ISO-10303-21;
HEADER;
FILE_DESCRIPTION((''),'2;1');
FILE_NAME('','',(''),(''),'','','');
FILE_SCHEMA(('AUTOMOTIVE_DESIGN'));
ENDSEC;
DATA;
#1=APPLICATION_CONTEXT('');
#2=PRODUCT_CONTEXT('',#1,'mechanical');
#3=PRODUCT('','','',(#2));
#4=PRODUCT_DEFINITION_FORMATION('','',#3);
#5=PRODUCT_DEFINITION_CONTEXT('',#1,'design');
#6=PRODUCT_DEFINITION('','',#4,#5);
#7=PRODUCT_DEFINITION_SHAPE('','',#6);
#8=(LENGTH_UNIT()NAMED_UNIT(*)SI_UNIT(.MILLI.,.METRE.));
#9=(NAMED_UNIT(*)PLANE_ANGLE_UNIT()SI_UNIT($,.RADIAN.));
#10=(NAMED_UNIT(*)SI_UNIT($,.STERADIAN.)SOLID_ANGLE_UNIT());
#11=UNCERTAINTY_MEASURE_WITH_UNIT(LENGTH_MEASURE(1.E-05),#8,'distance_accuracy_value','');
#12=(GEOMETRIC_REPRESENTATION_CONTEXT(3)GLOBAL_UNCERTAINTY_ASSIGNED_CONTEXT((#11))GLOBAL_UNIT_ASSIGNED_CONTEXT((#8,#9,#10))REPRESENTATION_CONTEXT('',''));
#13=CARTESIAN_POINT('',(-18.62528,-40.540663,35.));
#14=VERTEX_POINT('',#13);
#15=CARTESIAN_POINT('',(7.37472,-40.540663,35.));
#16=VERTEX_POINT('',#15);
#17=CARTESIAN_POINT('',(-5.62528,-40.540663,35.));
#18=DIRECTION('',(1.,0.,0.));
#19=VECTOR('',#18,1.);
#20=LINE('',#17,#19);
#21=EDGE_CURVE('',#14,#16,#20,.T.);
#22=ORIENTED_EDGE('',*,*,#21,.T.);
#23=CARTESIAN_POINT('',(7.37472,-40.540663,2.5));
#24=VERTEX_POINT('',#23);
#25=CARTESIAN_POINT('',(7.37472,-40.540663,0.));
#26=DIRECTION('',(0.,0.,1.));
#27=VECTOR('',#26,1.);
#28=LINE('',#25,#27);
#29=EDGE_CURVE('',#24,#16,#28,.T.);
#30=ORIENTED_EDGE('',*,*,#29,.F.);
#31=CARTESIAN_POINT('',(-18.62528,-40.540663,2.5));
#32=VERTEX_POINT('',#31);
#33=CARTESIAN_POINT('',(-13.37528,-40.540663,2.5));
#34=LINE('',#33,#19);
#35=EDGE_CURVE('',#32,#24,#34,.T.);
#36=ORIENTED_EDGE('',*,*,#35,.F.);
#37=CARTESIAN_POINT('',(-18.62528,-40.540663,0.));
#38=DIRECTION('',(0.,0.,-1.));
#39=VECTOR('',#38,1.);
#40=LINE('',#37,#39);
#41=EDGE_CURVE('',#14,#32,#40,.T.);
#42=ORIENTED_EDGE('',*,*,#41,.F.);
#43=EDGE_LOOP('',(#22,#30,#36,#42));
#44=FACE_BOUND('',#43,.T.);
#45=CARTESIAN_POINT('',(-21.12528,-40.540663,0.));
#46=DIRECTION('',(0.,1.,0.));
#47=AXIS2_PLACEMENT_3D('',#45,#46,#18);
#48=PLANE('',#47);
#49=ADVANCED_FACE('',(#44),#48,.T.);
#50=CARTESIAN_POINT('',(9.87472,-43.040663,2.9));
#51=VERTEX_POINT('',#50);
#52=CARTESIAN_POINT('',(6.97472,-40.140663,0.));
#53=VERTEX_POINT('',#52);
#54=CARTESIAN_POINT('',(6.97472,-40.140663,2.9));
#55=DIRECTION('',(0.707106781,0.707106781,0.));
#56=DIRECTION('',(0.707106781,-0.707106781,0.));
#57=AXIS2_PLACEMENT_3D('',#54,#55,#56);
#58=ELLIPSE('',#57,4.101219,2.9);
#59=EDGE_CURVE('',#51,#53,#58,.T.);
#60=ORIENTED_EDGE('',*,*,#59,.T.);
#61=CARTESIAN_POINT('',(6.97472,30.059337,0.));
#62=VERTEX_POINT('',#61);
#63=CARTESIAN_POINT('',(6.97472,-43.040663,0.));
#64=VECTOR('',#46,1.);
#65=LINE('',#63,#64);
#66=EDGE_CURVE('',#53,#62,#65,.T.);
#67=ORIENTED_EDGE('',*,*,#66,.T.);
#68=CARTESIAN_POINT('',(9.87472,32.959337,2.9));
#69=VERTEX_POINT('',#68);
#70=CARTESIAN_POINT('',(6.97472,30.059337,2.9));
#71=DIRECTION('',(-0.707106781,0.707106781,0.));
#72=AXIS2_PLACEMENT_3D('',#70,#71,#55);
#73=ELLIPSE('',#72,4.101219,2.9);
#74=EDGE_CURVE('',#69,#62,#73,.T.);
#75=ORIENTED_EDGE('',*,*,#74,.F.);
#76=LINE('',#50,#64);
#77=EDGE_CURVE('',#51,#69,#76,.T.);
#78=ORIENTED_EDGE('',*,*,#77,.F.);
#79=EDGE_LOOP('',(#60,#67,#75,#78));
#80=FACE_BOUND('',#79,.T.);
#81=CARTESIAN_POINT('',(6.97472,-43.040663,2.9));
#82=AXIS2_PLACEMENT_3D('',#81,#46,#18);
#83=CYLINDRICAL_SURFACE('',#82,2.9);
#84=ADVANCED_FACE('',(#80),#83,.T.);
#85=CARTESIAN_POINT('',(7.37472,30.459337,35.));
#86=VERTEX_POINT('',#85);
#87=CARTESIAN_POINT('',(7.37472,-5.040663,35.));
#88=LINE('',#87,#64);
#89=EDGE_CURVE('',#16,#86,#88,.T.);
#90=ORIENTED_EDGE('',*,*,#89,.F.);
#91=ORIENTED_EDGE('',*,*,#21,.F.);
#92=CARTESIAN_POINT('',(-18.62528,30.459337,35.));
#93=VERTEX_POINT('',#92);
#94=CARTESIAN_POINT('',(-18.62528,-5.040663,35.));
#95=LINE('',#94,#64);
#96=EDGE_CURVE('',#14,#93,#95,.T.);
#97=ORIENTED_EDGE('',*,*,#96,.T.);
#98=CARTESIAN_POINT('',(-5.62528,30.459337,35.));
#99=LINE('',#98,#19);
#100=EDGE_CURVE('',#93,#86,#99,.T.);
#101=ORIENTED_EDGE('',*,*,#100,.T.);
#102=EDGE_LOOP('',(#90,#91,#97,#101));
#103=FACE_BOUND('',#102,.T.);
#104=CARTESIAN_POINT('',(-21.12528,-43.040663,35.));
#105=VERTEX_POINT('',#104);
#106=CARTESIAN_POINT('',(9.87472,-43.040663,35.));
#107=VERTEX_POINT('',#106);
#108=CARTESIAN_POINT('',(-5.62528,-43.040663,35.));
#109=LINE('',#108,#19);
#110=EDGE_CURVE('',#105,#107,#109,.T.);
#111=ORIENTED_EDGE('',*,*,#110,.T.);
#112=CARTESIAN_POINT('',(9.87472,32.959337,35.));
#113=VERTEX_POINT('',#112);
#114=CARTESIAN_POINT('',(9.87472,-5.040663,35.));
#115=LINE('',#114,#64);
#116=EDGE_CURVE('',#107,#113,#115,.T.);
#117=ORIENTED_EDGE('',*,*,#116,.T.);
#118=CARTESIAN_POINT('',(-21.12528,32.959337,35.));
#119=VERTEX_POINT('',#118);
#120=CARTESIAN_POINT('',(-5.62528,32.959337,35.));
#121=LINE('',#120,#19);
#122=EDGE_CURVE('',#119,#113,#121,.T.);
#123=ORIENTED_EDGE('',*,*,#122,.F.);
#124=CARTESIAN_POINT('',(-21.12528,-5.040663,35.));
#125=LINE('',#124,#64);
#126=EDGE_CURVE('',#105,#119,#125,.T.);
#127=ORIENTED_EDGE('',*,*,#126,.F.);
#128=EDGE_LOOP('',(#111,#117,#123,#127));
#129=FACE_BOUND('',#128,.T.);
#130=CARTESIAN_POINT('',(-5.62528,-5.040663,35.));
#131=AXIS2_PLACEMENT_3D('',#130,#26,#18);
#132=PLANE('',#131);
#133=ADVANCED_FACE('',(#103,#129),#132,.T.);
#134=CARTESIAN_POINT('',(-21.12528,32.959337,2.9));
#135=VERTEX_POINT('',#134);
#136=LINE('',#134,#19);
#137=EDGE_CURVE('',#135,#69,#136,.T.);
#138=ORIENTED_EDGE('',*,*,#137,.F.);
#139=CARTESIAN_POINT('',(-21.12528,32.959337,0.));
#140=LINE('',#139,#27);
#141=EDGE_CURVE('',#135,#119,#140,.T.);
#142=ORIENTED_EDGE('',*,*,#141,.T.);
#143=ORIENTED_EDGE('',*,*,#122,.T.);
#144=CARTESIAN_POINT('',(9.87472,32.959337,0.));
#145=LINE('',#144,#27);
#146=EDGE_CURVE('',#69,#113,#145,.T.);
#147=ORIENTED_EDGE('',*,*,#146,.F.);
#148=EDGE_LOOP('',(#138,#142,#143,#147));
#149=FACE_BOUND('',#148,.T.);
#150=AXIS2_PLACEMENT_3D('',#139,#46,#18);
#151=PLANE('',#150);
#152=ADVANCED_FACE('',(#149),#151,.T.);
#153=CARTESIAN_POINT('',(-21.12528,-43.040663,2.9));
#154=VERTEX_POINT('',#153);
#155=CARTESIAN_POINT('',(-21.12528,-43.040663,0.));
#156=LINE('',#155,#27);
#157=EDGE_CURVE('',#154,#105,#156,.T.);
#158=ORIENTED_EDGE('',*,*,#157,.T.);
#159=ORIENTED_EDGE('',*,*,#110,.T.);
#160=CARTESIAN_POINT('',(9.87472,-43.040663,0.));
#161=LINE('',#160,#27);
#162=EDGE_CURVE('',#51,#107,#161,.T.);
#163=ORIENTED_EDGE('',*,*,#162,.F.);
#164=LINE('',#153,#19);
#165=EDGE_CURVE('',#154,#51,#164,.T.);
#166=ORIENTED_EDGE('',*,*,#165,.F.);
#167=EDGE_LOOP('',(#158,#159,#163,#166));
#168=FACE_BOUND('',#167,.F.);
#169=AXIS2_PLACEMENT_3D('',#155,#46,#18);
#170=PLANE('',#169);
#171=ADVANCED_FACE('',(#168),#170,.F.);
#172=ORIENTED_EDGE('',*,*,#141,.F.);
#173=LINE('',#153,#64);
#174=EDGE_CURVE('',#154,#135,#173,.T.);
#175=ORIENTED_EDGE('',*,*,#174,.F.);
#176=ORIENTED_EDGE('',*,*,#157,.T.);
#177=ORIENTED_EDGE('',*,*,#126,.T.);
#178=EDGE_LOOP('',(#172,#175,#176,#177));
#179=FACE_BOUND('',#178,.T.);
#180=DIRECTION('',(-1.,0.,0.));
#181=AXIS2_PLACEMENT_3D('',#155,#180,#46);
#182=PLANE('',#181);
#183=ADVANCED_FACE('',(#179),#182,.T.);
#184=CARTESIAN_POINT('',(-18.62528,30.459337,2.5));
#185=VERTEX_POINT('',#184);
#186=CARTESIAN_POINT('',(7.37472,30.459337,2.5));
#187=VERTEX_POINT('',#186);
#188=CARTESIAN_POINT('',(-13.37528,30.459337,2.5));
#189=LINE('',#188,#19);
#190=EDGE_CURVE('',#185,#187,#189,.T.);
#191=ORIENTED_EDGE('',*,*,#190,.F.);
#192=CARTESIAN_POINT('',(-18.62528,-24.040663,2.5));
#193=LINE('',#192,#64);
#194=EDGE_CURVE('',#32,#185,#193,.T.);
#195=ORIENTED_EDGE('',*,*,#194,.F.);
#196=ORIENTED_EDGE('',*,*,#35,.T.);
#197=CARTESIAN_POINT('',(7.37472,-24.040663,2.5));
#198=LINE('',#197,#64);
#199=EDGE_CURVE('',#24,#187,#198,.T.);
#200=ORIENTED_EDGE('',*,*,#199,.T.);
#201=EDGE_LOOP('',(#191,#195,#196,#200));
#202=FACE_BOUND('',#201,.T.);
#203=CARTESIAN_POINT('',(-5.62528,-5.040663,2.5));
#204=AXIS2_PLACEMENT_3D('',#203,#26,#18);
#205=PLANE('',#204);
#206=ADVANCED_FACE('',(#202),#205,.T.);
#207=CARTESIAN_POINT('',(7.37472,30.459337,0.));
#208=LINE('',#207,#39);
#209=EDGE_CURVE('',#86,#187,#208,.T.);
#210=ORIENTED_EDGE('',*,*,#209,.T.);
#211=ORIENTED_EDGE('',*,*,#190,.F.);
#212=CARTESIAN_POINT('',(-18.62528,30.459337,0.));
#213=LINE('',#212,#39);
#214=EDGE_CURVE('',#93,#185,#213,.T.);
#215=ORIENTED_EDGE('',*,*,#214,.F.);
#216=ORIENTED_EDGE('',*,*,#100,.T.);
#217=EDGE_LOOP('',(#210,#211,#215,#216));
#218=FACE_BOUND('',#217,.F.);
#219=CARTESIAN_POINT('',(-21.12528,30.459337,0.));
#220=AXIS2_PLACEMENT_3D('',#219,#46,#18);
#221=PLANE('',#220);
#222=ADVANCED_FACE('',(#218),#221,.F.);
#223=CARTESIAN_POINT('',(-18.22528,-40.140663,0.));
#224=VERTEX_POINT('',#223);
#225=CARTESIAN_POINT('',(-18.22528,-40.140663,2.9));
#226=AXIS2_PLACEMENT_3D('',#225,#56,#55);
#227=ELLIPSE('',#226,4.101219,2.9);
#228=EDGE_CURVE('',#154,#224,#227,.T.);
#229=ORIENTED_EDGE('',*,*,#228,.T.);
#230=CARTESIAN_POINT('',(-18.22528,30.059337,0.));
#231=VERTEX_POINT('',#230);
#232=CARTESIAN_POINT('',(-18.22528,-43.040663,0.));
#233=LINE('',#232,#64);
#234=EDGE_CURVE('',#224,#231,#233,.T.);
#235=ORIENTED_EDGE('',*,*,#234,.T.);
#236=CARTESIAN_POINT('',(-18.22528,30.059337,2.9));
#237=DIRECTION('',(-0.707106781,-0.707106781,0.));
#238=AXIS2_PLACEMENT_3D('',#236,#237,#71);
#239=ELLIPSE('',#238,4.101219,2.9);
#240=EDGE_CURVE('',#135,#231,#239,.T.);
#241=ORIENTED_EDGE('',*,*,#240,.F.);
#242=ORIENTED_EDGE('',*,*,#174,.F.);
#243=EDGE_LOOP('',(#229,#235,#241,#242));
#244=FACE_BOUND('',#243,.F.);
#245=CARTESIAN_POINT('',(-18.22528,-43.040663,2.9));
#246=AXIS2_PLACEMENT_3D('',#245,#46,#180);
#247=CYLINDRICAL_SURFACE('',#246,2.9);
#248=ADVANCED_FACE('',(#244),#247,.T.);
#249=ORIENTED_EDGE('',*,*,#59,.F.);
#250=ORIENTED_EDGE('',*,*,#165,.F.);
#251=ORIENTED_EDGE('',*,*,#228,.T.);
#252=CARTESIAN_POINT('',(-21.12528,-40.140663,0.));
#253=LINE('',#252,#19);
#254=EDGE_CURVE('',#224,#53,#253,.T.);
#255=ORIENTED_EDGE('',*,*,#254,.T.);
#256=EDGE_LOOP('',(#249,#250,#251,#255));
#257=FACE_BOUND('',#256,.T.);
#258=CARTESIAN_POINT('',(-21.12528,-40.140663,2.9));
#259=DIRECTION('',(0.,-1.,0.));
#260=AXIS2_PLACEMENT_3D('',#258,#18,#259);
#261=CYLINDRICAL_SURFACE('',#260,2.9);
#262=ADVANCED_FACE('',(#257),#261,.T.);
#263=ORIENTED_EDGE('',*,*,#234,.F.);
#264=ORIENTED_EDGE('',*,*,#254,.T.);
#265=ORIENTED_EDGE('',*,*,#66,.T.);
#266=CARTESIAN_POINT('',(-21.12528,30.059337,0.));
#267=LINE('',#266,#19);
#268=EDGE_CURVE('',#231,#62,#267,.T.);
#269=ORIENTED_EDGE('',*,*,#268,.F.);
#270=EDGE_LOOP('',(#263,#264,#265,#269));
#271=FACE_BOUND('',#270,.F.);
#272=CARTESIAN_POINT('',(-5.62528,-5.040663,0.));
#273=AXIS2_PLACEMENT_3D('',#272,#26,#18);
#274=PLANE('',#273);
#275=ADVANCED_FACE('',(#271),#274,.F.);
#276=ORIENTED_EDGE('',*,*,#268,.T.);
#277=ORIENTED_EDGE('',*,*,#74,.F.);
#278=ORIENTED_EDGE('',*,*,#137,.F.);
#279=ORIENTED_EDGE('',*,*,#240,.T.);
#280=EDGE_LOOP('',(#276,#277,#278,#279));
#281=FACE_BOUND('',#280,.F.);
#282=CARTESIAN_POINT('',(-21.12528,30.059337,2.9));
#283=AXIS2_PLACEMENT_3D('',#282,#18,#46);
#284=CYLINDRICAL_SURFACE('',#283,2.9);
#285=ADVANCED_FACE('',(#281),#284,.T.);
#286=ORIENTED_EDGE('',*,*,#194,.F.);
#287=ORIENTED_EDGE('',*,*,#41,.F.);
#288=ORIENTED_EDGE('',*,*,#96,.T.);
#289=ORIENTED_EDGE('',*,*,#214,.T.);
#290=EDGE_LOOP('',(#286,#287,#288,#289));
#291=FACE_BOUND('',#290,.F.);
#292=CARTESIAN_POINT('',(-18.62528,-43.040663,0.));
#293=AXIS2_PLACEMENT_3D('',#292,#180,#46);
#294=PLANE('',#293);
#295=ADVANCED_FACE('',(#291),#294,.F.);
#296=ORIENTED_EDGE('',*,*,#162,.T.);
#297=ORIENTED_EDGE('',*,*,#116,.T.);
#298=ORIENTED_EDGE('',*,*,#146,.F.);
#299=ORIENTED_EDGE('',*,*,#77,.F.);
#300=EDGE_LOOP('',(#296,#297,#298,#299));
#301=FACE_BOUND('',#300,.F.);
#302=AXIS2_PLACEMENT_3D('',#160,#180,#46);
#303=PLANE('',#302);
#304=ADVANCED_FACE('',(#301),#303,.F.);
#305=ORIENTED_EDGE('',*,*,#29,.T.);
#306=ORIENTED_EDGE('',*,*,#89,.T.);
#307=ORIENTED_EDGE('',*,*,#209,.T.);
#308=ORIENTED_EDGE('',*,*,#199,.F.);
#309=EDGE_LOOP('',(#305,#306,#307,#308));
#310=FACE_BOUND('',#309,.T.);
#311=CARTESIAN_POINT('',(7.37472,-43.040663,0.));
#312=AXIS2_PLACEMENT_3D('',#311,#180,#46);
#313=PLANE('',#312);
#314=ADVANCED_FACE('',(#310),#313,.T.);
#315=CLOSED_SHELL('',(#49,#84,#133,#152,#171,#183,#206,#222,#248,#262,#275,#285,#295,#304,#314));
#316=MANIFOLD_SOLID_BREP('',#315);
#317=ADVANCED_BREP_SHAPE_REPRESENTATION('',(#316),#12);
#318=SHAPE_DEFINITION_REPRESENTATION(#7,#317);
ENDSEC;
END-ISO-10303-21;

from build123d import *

# Parameters (mm, degrees)
F0_W     = 31
F0_H     = 76
F1_DEPTH = 35
F2_T     = -2.5
F3_R     = 2.9


with BuildPart() as f1:
    # F0 (on Top) → F1 (new body)
    with BuildSketch(Plane.XY):
        with Locations((-5.62528, -5.040663)):
            Rectangle(F0_W, F0_H)
    extrude(amount=F1_DEPTH)

    # F2
    f2_openings = [f1.faces().sort_by_distance(p)[0] for p in [
        (-5.62528, -5.040663, 35),
    ]]
    offset(amount=F2_T, openings=f2_openings)

    # F3
    f3_edges = [f1.edges().sort_by_distance(p)[0] for p in [
        (-5.62528, -43.040663, 0),
        (9.87472, -5.040663, 0),
        (-21.12528, -5.040663, 0),
        (-5.62528, 32.959337, 0),
    ]]
    fillet(f3_edges, radius=F3_R)


solid = f1.part
